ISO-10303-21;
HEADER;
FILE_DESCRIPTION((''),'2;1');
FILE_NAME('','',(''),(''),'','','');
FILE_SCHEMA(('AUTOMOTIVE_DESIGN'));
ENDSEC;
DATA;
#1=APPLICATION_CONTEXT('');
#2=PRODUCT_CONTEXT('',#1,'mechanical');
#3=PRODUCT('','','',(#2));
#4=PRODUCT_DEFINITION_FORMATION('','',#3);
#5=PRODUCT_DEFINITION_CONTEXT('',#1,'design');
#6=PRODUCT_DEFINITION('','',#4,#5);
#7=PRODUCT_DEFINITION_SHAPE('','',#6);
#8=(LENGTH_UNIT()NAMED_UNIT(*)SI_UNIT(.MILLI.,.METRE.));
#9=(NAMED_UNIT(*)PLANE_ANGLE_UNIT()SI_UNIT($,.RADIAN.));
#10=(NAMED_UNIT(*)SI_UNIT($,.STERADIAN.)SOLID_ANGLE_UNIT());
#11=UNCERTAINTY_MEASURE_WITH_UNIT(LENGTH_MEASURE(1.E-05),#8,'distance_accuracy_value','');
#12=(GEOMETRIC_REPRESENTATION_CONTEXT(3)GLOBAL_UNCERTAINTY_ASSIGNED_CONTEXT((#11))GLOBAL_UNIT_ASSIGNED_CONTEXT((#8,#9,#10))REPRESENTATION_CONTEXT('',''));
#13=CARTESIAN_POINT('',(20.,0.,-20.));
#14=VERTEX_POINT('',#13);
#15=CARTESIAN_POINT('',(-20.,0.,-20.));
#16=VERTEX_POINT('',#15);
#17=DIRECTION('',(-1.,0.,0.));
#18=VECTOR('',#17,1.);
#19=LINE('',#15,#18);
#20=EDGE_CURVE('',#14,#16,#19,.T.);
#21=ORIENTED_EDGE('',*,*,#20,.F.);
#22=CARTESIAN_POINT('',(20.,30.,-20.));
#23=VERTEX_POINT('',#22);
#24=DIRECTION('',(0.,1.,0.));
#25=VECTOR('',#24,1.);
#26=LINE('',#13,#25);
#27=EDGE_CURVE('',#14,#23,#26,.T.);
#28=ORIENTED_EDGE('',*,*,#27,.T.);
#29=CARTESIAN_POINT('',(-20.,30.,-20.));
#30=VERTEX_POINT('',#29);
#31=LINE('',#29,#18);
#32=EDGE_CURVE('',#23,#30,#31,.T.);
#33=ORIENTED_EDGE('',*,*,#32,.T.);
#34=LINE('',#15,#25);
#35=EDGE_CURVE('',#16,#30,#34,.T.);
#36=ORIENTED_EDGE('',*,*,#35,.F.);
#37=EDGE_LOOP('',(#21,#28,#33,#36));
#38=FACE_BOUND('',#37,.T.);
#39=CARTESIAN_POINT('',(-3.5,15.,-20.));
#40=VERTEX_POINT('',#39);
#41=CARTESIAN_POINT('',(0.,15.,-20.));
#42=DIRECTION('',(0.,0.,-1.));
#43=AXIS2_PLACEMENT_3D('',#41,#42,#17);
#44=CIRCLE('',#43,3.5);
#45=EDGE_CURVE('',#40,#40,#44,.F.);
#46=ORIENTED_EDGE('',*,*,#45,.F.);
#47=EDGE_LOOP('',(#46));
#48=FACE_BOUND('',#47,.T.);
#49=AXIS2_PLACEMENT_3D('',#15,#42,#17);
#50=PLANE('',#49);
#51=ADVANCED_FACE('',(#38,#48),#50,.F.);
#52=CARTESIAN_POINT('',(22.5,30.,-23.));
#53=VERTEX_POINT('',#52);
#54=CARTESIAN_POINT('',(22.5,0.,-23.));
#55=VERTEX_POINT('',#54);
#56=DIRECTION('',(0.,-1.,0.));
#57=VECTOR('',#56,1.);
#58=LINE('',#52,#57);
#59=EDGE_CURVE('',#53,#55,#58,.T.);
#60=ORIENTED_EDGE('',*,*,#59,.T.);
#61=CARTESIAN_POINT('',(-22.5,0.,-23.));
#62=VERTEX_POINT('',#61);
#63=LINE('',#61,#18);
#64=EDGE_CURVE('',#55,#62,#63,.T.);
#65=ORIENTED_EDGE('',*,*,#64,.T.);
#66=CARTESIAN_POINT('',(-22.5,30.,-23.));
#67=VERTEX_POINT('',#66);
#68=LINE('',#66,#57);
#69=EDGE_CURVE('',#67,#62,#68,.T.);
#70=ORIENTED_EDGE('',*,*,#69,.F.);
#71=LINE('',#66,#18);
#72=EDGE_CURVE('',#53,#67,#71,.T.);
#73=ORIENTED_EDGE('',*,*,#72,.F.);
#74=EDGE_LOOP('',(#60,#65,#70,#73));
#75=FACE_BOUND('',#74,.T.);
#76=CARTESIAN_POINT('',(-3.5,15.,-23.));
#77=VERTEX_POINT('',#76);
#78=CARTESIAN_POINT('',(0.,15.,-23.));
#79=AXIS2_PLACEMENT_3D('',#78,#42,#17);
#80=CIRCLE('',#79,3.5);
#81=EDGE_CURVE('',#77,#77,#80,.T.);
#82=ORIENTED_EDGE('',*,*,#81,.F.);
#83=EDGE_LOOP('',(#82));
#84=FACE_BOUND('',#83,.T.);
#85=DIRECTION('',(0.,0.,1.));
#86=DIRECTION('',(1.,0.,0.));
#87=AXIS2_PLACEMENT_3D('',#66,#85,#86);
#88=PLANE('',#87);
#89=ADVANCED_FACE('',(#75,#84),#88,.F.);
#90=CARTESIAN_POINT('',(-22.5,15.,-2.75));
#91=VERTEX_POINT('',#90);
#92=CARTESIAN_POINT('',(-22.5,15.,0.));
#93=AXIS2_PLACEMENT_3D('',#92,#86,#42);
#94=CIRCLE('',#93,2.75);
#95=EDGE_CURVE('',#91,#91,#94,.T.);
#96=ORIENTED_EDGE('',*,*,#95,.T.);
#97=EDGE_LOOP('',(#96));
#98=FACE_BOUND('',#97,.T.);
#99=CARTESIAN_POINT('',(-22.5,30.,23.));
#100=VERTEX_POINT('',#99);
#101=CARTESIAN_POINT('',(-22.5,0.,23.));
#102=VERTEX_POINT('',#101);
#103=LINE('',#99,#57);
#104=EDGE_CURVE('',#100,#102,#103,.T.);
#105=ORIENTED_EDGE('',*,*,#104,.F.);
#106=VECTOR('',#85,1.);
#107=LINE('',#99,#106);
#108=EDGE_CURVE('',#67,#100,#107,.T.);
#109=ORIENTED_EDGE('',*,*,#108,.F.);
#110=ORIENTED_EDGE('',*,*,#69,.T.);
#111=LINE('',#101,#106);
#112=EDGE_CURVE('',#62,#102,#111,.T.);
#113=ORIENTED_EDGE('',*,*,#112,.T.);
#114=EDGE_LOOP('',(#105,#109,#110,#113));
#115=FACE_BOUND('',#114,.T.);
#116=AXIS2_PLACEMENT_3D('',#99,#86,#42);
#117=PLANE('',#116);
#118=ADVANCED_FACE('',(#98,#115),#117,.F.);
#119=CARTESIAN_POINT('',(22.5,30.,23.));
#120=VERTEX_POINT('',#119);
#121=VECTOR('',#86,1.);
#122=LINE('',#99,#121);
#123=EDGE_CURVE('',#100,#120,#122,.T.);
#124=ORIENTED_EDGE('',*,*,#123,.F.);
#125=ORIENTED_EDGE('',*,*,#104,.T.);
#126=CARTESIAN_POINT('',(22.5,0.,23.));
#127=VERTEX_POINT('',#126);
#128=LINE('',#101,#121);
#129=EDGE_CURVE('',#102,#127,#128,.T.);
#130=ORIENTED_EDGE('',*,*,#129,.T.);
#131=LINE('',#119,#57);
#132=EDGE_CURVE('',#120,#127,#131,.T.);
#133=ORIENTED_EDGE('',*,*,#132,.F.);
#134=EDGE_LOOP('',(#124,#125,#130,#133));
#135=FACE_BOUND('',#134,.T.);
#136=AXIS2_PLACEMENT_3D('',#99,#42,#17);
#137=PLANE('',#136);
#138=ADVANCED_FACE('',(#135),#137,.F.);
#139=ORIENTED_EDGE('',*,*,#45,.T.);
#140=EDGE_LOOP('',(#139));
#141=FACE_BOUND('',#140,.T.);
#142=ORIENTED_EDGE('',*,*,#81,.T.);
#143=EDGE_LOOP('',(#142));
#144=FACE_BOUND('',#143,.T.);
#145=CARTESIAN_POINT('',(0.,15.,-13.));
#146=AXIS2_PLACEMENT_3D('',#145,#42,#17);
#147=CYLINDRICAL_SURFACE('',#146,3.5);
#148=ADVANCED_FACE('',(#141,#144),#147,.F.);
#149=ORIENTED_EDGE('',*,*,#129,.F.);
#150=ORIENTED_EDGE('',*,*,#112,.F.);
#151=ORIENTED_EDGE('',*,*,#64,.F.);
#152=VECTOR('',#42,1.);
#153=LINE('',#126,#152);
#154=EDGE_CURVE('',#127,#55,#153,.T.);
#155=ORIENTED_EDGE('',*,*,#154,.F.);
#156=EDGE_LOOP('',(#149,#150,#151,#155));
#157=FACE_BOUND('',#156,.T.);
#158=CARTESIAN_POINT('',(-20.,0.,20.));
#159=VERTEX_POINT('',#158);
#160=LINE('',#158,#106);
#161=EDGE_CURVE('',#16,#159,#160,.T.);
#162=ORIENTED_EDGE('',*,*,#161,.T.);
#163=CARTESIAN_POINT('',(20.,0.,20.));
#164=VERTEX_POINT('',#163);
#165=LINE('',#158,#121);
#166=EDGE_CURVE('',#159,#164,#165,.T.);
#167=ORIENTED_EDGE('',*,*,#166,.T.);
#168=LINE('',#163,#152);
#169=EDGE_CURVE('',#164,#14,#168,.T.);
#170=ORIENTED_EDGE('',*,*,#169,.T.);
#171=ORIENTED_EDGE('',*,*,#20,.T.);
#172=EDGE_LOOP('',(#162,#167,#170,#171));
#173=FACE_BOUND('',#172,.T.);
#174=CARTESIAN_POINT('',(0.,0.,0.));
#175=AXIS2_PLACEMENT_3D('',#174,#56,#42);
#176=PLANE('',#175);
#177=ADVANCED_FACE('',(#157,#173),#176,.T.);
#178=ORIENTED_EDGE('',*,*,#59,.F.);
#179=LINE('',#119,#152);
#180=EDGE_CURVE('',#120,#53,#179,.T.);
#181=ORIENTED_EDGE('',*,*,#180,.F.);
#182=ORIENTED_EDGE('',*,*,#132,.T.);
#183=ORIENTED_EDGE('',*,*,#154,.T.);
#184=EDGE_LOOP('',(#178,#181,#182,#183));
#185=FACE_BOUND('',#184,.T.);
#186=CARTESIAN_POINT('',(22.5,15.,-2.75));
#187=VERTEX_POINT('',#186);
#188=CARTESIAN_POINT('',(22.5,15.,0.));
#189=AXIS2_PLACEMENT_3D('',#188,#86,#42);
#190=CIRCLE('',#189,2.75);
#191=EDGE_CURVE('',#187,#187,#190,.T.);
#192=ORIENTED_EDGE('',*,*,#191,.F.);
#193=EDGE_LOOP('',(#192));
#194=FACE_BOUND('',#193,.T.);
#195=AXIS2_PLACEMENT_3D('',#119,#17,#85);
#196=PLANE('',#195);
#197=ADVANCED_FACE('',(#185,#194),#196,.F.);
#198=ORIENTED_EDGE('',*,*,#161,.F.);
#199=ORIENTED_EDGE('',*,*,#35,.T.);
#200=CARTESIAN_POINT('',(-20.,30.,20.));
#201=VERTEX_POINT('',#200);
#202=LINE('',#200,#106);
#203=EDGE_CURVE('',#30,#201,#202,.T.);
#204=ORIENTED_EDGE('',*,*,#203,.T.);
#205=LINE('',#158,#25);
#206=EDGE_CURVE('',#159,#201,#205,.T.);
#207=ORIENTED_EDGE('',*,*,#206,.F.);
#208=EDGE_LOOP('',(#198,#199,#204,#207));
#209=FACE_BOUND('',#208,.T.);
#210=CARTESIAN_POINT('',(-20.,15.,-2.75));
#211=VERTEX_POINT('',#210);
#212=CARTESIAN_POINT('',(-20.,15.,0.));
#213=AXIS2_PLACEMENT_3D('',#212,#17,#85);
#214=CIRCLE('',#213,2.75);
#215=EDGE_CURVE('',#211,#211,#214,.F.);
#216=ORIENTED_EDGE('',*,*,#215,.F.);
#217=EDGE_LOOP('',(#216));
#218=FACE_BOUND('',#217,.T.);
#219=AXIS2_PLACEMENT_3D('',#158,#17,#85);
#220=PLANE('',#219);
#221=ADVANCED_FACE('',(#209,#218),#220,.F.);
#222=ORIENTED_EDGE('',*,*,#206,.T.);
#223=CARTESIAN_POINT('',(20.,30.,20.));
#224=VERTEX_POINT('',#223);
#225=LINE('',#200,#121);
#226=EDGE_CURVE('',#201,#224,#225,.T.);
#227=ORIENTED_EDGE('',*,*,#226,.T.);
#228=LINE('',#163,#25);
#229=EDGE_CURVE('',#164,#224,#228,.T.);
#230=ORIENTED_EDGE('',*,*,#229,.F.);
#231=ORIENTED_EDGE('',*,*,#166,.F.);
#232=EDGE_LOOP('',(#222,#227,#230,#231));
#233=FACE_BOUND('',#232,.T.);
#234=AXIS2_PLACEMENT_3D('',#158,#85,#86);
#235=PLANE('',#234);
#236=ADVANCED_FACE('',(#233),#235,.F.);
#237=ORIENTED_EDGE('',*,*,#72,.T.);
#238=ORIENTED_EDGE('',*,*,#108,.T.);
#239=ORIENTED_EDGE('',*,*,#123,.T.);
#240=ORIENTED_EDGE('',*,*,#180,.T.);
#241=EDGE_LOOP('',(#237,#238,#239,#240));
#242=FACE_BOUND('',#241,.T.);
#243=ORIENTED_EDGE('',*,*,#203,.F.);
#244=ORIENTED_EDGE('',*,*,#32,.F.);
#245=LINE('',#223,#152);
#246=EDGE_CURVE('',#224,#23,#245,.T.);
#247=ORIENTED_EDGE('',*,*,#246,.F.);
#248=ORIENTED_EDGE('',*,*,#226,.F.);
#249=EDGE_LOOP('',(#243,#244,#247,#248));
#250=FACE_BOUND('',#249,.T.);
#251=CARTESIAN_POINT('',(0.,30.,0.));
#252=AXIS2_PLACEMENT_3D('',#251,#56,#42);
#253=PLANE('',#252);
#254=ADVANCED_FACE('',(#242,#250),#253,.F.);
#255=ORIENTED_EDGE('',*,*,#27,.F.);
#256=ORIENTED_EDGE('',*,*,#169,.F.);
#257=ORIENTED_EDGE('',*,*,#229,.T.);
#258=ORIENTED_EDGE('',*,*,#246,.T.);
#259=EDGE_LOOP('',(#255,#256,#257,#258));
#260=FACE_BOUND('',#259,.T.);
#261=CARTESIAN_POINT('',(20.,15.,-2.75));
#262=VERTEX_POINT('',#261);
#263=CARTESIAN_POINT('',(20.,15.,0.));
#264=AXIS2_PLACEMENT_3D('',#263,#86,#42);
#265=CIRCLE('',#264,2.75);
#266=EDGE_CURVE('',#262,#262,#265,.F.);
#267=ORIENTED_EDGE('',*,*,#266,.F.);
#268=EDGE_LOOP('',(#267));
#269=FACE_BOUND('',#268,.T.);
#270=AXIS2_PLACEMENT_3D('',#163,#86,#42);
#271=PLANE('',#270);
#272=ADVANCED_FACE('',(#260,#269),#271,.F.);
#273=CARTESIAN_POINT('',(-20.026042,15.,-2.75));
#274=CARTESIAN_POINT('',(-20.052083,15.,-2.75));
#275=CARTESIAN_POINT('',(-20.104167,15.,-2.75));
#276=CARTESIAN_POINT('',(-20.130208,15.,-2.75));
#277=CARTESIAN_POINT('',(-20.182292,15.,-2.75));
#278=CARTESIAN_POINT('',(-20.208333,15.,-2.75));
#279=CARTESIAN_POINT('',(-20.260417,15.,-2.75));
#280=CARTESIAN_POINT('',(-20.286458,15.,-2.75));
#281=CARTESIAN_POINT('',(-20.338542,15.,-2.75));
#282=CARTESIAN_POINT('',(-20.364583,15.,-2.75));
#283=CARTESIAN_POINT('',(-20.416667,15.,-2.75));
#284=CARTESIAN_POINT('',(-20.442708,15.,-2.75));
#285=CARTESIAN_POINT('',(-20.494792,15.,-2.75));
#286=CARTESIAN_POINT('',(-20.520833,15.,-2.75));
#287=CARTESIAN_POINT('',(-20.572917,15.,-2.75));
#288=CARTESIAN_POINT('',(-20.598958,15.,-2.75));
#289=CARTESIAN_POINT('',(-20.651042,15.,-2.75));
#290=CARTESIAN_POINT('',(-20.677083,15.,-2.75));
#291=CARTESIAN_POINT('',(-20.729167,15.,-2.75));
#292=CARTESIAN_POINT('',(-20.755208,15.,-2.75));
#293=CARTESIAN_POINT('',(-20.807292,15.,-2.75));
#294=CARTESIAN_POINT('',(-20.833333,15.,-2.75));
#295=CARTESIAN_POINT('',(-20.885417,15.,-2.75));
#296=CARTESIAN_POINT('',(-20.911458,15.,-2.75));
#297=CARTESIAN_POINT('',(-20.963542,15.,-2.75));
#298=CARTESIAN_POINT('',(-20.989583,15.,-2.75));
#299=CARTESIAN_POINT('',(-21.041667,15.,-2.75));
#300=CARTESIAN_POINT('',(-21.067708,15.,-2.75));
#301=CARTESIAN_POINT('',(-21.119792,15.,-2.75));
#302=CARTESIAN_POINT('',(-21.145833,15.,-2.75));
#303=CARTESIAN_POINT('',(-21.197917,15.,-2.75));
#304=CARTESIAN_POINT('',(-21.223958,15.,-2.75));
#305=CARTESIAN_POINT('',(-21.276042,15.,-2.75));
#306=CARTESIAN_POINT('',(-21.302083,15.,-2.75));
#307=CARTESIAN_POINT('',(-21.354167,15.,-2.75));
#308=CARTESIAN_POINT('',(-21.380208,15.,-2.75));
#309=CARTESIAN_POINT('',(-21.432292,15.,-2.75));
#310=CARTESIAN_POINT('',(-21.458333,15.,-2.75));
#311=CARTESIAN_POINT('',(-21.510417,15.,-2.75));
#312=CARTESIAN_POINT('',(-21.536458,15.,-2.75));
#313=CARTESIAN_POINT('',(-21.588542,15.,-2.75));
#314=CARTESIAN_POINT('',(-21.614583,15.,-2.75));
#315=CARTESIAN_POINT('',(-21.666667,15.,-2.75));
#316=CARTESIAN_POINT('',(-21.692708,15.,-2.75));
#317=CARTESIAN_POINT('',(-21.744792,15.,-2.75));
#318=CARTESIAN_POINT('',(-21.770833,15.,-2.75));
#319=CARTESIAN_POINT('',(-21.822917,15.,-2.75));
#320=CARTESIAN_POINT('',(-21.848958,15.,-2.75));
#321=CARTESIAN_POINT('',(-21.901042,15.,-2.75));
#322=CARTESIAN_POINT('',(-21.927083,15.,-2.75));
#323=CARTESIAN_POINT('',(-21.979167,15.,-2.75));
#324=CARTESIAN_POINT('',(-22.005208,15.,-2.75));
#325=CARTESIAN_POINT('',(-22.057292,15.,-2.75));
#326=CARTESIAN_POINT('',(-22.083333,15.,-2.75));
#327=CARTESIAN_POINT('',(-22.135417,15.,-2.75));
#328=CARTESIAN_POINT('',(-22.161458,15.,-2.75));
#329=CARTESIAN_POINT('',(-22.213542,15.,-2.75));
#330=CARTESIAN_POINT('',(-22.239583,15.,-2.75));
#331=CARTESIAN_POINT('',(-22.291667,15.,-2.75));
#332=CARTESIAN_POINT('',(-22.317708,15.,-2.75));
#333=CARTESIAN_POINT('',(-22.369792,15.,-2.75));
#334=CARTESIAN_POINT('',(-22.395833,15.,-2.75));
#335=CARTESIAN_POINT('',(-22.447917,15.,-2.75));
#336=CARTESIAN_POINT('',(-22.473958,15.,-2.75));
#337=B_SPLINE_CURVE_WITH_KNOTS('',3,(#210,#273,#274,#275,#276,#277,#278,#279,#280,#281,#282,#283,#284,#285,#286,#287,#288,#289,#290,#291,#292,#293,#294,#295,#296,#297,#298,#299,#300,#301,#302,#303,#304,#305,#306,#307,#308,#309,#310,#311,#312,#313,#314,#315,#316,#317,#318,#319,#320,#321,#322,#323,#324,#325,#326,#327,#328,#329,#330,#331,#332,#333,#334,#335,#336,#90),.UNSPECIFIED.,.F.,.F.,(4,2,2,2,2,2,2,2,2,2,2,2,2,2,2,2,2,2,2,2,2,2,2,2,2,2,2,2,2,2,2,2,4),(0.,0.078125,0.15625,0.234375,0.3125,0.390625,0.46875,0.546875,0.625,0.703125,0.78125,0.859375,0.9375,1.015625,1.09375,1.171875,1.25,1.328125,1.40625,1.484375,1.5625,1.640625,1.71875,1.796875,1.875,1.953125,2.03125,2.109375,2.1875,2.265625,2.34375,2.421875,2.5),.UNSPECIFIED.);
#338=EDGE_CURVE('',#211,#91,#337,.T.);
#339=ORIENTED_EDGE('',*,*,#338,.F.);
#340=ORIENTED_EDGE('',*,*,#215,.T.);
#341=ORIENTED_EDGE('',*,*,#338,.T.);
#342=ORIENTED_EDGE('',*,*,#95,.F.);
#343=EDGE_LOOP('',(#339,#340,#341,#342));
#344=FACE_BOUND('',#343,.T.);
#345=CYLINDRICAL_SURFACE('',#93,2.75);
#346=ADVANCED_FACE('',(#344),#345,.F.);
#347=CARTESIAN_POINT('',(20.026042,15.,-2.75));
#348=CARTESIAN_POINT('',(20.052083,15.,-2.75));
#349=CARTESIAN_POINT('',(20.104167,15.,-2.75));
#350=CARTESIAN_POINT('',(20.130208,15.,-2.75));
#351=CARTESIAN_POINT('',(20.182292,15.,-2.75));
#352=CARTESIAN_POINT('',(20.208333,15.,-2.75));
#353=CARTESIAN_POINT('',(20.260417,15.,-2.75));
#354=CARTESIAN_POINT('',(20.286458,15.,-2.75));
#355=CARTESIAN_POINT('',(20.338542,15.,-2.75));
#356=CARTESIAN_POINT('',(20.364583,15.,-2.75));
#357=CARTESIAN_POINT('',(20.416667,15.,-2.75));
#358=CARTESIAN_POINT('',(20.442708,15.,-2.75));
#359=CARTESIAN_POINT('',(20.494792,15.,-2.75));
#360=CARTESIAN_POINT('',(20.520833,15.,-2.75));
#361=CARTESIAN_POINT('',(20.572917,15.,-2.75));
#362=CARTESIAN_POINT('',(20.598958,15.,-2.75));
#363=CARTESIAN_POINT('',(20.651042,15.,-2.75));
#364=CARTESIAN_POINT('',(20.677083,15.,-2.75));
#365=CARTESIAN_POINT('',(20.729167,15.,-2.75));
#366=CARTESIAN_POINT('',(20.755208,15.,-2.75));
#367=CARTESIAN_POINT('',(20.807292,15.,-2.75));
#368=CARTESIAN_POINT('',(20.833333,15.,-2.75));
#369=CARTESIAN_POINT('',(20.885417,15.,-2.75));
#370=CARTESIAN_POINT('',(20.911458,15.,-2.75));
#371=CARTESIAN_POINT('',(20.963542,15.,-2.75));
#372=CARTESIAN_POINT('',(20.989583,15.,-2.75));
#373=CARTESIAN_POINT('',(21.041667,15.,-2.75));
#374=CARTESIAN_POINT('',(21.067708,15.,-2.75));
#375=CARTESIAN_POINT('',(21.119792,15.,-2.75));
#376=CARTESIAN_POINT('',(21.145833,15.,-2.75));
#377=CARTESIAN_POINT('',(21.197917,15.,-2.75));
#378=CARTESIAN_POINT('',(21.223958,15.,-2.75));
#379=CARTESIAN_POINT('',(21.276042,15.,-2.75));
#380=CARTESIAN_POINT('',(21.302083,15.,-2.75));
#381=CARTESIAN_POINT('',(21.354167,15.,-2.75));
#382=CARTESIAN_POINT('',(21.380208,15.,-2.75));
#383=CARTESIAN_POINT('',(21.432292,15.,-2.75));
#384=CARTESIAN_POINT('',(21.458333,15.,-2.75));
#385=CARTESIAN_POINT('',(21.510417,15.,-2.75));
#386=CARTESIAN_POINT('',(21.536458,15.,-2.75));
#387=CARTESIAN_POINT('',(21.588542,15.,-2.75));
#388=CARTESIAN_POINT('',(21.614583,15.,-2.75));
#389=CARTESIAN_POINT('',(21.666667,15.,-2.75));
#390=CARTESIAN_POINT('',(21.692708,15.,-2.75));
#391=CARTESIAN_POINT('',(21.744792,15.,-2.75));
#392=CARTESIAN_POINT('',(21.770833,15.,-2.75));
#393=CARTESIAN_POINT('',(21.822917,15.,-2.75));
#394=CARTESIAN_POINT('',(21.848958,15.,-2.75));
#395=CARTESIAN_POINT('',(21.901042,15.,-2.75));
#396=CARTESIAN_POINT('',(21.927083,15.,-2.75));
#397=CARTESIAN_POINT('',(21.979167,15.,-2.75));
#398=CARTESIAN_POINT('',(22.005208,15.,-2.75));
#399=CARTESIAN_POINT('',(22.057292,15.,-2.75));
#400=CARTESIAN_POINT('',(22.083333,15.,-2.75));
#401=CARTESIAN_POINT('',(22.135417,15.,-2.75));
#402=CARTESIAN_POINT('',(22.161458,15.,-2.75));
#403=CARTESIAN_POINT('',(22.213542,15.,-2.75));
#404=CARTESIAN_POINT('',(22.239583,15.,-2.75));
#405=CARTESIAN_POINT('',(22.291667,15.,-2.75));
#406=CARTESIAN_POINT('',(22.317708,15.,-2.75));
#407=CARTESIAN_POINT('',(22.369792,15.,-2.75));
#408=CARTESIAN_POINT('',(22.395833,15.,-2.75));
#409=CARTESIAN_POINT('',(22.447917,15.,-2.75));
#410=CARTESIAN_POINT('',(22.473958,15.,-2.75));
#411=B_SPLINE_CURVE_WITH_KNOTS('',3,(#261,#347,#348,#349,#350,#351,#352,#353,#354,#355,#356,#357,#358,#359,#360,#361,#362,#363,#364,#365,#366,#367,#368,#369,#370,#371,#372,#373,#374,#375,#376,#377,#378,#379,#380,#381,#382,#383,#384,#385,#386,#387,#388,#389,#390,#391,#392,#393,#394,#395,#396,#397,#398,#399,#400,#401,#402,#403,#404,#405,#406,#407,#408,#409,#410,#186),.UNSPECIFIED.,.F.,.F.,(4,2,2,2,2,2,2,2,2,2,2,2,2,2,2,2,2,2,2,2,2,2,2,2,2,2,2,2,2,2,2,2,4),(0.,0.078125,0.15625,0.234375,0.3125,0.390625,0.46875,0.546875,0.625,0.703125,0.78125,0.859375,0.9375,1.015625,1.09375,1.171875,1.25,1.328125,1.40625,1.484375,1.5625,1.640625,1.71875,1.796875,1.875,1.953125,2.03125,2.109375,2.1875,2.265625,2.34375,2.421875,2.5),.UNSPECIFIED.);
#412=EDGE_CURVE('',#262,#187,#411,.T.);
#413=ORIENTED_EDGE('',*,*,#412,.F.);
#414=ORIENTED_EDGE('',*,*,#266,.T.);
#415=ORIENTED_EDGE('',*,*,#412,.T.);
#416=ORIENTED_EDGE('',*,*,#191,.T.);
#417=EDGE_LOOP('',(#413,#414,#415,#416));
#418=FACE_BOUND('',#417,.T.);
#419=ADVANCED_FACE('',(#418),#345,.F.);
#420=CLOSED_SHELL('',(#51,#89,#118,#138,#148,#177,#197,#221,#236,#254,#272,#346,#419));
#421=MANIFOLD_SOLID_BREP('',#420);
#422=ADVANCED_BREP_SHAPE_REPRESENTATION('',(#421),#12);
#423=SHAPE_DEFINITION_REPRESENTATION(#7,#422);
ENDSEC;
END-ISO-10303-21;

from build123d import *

# Parameters (mm, degrees)
SKETCH1_W           = 45
SKETCH1_H           = 46
BOSS_EXTRUDE1_DEPTH = 30
SKETCH3_R           = 3.5
CUT_EXTRUDE2_DEPTH  = 10
SKETCH4_R           = 2.75
CUT_EXTRUDE3_DEPTH  = 59.77074102
SKETCH2_W           = 40
SKETCH2_H           = 40
CUT_EXTRUDE4_DEPTH  = 44.991476447


with BuildPart() as part:
    # Sketch1 → Boss-Extrude1 (new body)
    with BuildSketch(Plane(origin=(0, 0, 0), x_dir=(1, 0, 0), z_dir=(0, 1, 0))):
        Rectangle(SKETCH1_W, SKETCH1_H)
    extrude(amount=BOSS_EXTRUDE1_DEPTH)

    # Sketch3 → Cut-Extrude2 (cut)
    with BuildSketch(Plane(origin=(0, 0, -23), x_dir=(-1, 0, 0), z_dir=(0, 0, -1))):
        with Locations((0, 15)):
            Circle(SKETCH3_R)
    extrude(amount=-CUT_EXTRUDE2_DEPTH, mode=Mode.SUBTRACT)

    # Sketch4 → Cut-Extrude3 (cut, through all)
    with BuildSketch(Plane(origin=(22.5, 0, 0), x_dir=(0, 0, -1), z_dir=(1, 0, 0))):
        with Locations((0, 15)):
            Circle(SKETCH4_R)
    extrude(amount=-CUT_EXTRUDE3_DEPTH, mode=Mode.SUBTRACT)

    # Sketch2 → Cut-Extrude4 (cut, through all)
    with BuildSketch(Plane(origin=(0, 30, 0), x_dir=(1, 0, 0), z_dir=(0, 1, 0))):
        Rectangle(SKETCH2_W, SKETCH2_H)
    extrude(amount=-CUT_EXTRUDE4_DEPTH, mode=Mode.SUBTRACT)


solid = part.part
